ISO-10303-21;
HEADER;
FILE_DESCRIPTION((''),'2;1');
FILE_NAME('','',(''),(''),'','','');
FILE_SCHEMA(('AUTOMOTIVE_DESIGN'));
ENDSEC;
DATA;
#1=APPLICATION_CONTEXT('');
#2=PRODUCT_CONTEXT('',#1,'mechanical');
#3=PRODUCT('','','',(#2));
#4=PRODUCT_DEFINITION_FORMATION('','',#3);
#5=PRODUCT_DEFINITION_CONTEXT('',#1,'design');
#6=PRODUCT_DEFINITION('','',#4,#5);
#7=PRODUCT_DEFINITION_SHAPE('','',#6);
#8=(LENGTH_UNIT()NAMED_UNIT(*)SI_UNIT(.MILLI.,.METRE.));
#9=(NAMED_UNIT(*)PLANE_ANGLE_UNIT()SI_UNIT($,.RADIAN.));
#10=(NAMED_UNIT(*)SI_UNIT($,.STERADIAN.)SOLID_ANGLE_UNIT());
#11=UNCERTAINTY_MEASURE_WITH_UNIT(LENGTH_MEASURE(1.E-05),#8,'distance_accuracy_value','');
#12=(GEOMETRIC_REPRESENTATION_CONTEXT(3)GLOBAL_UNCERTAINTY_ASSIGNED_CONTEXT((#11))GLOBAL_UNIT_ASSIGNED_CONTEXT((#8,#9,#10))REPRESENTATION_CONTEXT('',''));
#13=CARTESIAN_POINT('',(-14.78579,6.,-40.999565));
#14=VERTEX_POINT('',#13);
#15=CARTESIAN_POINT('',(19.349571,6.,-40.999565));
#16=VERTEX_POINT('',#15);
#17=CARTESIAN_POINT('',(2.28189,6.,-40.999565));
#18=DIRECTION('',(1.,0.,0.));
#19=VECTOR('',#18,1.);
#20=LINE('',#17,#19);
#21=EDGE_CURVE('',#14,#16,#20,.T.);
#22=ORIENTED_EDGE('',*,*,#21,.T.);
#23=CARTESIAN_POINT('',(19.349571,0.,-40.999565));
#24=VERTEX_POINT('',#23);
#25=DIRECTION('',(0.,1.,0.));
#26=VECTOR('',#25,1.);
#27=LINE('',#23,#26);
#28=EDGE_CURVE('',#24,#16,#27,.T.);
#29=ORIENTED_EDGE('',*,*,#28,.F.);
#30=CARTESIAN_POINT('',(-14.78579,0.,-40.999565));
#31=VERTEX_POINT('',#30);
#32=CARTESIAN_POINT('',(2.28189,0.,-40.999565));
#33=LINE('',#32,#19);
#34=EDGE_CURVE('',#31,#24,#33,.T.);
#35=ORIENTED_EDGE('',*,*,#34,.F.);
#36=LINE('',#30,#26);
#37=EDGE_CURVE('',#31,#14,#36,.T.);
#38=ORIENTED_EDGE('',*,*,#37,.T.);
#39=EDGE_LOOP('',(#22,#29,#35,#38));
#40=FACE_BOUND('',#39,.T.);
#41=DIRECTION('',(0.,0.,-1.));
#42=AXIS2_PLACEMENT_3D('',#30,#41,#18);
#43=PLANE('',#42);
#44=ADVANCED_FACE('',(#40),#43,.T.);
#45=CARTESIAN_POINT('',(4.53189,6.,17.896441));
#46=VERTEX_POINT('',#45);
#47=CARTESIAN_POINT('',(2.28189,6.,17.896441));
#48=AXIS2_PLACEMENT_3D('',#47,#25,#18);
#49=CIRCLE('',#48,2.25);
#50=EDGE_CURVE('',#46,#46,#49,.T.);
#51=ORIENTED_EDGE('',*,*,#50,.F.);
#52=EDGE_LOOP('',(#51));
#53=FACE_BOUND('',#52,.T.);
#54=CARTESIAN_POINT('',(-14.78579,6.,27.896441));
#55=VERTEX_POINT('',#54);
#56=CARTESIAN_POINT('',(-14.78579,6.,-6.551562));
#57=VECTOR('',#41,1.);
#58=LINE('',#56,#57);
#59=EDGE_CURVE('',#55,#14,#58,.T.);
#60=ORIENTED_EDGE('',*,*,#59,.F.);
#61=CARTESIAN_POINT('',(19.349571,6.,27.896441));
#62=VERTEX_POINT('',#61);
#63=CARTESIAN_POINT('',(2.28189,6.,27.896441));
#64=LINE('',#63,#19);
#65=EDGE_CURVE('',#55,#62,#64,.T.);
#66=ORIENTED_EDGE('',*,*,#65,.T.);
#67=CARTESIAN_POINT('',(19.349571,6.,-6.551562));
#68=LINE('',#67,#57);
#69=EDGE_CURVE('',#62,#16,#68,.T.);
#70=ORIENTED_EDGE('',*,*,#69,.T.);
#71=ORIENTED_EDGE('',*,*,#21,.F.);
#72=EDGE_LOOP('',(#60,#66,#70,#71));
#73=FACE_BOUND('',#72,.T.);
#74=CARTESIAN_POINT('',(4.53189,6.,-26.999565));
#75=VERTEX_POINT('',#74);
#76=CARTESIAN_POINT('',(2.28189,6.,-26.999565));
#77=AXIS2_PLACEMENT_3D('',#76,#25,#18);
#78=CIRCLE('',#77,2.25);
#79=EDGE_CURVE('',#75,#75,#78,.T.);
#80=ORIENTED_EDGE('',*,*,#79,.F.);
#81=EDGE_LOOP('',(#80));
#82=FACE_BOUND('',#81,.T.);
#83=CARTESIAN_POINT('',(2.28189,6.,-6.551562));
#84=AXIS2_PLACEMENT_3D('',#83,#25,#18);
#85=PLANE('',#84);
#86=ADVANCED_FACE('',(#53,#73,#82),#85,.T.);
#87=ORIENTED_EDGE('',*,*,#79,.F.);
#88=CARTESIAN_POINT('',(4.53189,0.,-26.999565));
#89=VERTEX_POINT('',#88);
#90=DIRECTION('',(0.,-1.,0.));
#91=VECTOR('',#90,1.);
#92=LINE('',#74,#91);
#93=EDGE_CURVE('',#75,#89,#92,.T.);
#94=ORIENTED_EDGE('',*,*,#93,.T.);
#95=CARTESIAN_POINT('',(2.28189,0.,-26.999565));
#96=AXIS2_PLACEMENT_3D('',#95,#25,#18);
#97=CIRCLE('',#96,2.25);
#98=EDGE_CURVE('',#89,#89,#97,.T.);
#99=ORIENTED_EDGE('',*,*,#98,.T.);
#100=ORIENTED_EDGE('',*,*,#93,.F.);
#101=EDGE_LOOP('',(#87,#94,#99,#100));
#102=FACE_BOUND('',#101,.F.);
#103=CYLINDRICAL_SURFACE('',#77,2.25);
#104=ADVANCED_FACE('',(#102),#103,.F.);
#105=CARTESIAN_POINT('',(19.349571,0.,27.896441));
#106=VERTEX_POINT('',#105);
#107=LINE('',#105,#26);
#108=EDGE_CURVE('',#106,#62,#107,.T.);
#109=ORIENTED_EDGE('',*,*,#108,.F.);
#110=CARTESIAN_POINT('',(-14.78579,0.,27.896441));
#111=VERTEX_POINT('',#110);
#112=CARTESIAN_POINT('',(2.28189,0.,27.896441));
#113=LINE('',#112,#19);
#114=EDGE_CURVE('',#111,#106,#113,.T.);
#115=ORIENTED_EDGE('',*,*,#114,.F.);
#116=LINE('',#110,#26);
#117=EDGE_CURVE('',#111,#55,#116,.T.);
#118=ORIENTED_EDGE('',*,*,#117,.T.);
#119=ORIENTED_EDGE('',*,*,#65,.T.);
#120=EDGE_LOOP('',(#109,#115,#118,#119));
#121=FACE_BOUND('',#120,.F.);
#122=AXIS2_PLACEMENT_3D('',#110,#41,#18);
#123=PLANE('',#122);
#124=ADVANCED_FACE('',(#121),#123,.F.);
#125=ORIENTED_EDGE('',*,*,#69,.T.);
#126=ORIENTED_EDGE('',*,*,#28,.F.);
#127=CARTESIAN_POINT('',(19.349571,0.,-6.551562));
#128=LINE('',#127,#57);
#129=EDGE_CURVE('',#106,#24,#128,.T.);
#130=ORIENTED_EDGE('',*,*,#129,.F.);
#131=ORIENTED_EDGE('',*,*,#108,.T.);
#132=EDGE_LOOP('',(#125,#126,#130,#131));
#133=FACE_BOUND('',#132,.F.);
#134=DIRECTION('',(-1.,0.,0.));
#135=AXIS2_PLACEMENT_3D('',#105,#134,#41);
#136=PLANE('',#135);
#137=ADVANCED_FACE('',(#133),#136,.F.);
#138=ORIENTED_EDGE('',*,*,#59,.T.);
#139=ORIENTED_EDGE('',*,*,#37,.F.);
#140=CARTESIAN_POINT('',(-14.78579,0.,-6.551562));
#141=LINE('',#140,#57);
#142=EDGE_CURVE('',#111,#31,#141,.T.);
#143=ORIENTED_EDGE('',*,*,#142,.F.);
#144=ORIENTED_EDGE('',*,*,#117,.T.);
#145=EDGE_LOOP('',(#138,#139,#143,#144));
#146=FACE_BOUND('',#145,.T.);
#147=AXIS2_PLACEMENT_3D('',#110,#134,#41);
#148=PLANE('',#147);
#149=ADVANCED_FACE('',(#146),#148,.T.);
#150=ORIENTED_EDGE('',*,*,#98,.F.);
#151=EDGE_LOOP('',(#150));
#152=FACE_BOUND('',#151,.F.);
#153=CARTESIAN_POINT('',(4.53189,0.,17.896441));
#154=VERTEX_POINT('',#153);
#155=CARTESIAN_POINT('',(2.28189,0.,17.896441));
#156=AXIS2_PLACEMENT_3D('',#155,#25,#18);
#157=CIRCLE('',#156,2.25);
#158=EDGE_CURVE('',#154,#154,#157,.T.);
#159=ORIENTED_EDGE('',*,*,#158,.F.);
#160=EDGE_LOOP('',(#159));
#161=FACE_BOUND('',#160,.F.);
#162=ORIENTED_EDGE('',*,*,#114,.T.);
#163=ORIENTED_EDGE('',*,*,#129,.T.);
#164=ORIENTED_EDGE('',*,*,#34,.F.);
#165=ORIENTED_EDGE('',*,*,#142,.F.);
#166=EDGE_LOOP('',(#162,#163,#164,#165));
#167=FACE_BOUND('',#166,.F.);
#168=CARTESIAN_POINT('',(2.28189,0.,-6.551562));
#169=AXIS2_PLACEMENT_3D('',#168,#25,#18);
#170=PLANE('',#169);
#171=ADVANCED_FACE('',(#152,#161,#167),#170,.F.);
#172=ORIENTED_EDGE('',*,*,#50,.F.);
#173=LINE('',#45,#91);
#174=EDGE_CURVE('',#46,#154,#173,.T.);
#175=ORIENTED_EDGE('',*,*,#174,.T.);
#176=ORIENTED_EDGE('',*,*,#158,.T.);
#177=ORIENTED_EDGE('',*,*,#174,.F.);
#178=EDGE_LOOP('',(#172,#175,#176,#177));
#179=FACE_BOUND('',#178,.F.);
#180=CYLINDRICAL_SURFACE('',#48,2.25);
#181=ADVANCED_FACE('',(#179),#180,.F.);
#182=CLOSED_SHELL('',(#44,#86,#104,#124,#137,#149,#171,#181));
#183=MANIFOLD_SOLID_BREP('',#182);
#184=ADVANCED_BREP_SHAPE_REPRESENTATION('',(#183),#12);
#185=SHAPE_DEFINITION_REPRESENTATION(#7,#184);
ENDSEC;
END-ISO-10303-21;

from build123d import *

# Parameters (mm, degrees)
SKETCH1_W           = 34.135361425
SKETCH1_H           = 68.896006058
BOSS_EXTRUDE1_DEPTH = 6
CUT_EXTRUDE1_REACH  = 8
SKETCH2_R           = 2.25


with BuildPart() as part:
    # Sketch1 → Boss-Extrude1 (new body)
    with BuildSketch(Plane(origin=(0, 0, 0), x_dir=(1, 0, 0), z_dir=(0, 1, 0))):
        with Locations((2.281890395, 6.551561836)):
            Rectangle(SKETCH1_W, SKETCH1_H)
    extrude(amount=BOSS_EXTRUDE1_DEPTH)

    # Sketch2 → Cut-Extrude1 (cut, up to next)
    with BuildSketch(Plane(origin=(0, 6, 0), x_dir=(1, 0, 0), z_dir=(0, 1, 0)), mode=Mode.PRIVATE) as cut_extrude1_sk1:
        with Locations((2.281890395, -17.896441193)):
            Circle(SKETCH2_R)
    cut_extrude1_tool1 = extrude(cut_extrude1_sk1.sketch, amount=-CUT_EXTRUDE1_REACH, mode=Mode.PRIVATE) & part.part
    add(cut_extrude1_tool1.solids().sort_by_distance((2.28189, 6, 17.896441))[0], mode=Mode.SUBTRACT)
    # Sketch2 → Cut-Extrude1 (cut, up to next)
    with BuildSketch(Plane(origin=(0, 6, 0), x_dir=(1, 0, 0), z_dir=(0, 1, 0)), mode=Mode.PRIVATE) as cut_extrude1_sk2:
        with Locations((2.281890395, 26.999564865)):
            Circle(SKETCH2_R)
    cut_extrude1_tool2 = extrude(cut_extrude1_sk2.sketch, amount=-CUT_EXTRUDE1_REACH, mode=Mode.PRIVATE) & part.part
    add(cut_extrude1_tool2.solids().sort_by_distance((2.28189, 6, -26.999565))[0], mode=Mode.SUBTRACT)


solid = part.part
